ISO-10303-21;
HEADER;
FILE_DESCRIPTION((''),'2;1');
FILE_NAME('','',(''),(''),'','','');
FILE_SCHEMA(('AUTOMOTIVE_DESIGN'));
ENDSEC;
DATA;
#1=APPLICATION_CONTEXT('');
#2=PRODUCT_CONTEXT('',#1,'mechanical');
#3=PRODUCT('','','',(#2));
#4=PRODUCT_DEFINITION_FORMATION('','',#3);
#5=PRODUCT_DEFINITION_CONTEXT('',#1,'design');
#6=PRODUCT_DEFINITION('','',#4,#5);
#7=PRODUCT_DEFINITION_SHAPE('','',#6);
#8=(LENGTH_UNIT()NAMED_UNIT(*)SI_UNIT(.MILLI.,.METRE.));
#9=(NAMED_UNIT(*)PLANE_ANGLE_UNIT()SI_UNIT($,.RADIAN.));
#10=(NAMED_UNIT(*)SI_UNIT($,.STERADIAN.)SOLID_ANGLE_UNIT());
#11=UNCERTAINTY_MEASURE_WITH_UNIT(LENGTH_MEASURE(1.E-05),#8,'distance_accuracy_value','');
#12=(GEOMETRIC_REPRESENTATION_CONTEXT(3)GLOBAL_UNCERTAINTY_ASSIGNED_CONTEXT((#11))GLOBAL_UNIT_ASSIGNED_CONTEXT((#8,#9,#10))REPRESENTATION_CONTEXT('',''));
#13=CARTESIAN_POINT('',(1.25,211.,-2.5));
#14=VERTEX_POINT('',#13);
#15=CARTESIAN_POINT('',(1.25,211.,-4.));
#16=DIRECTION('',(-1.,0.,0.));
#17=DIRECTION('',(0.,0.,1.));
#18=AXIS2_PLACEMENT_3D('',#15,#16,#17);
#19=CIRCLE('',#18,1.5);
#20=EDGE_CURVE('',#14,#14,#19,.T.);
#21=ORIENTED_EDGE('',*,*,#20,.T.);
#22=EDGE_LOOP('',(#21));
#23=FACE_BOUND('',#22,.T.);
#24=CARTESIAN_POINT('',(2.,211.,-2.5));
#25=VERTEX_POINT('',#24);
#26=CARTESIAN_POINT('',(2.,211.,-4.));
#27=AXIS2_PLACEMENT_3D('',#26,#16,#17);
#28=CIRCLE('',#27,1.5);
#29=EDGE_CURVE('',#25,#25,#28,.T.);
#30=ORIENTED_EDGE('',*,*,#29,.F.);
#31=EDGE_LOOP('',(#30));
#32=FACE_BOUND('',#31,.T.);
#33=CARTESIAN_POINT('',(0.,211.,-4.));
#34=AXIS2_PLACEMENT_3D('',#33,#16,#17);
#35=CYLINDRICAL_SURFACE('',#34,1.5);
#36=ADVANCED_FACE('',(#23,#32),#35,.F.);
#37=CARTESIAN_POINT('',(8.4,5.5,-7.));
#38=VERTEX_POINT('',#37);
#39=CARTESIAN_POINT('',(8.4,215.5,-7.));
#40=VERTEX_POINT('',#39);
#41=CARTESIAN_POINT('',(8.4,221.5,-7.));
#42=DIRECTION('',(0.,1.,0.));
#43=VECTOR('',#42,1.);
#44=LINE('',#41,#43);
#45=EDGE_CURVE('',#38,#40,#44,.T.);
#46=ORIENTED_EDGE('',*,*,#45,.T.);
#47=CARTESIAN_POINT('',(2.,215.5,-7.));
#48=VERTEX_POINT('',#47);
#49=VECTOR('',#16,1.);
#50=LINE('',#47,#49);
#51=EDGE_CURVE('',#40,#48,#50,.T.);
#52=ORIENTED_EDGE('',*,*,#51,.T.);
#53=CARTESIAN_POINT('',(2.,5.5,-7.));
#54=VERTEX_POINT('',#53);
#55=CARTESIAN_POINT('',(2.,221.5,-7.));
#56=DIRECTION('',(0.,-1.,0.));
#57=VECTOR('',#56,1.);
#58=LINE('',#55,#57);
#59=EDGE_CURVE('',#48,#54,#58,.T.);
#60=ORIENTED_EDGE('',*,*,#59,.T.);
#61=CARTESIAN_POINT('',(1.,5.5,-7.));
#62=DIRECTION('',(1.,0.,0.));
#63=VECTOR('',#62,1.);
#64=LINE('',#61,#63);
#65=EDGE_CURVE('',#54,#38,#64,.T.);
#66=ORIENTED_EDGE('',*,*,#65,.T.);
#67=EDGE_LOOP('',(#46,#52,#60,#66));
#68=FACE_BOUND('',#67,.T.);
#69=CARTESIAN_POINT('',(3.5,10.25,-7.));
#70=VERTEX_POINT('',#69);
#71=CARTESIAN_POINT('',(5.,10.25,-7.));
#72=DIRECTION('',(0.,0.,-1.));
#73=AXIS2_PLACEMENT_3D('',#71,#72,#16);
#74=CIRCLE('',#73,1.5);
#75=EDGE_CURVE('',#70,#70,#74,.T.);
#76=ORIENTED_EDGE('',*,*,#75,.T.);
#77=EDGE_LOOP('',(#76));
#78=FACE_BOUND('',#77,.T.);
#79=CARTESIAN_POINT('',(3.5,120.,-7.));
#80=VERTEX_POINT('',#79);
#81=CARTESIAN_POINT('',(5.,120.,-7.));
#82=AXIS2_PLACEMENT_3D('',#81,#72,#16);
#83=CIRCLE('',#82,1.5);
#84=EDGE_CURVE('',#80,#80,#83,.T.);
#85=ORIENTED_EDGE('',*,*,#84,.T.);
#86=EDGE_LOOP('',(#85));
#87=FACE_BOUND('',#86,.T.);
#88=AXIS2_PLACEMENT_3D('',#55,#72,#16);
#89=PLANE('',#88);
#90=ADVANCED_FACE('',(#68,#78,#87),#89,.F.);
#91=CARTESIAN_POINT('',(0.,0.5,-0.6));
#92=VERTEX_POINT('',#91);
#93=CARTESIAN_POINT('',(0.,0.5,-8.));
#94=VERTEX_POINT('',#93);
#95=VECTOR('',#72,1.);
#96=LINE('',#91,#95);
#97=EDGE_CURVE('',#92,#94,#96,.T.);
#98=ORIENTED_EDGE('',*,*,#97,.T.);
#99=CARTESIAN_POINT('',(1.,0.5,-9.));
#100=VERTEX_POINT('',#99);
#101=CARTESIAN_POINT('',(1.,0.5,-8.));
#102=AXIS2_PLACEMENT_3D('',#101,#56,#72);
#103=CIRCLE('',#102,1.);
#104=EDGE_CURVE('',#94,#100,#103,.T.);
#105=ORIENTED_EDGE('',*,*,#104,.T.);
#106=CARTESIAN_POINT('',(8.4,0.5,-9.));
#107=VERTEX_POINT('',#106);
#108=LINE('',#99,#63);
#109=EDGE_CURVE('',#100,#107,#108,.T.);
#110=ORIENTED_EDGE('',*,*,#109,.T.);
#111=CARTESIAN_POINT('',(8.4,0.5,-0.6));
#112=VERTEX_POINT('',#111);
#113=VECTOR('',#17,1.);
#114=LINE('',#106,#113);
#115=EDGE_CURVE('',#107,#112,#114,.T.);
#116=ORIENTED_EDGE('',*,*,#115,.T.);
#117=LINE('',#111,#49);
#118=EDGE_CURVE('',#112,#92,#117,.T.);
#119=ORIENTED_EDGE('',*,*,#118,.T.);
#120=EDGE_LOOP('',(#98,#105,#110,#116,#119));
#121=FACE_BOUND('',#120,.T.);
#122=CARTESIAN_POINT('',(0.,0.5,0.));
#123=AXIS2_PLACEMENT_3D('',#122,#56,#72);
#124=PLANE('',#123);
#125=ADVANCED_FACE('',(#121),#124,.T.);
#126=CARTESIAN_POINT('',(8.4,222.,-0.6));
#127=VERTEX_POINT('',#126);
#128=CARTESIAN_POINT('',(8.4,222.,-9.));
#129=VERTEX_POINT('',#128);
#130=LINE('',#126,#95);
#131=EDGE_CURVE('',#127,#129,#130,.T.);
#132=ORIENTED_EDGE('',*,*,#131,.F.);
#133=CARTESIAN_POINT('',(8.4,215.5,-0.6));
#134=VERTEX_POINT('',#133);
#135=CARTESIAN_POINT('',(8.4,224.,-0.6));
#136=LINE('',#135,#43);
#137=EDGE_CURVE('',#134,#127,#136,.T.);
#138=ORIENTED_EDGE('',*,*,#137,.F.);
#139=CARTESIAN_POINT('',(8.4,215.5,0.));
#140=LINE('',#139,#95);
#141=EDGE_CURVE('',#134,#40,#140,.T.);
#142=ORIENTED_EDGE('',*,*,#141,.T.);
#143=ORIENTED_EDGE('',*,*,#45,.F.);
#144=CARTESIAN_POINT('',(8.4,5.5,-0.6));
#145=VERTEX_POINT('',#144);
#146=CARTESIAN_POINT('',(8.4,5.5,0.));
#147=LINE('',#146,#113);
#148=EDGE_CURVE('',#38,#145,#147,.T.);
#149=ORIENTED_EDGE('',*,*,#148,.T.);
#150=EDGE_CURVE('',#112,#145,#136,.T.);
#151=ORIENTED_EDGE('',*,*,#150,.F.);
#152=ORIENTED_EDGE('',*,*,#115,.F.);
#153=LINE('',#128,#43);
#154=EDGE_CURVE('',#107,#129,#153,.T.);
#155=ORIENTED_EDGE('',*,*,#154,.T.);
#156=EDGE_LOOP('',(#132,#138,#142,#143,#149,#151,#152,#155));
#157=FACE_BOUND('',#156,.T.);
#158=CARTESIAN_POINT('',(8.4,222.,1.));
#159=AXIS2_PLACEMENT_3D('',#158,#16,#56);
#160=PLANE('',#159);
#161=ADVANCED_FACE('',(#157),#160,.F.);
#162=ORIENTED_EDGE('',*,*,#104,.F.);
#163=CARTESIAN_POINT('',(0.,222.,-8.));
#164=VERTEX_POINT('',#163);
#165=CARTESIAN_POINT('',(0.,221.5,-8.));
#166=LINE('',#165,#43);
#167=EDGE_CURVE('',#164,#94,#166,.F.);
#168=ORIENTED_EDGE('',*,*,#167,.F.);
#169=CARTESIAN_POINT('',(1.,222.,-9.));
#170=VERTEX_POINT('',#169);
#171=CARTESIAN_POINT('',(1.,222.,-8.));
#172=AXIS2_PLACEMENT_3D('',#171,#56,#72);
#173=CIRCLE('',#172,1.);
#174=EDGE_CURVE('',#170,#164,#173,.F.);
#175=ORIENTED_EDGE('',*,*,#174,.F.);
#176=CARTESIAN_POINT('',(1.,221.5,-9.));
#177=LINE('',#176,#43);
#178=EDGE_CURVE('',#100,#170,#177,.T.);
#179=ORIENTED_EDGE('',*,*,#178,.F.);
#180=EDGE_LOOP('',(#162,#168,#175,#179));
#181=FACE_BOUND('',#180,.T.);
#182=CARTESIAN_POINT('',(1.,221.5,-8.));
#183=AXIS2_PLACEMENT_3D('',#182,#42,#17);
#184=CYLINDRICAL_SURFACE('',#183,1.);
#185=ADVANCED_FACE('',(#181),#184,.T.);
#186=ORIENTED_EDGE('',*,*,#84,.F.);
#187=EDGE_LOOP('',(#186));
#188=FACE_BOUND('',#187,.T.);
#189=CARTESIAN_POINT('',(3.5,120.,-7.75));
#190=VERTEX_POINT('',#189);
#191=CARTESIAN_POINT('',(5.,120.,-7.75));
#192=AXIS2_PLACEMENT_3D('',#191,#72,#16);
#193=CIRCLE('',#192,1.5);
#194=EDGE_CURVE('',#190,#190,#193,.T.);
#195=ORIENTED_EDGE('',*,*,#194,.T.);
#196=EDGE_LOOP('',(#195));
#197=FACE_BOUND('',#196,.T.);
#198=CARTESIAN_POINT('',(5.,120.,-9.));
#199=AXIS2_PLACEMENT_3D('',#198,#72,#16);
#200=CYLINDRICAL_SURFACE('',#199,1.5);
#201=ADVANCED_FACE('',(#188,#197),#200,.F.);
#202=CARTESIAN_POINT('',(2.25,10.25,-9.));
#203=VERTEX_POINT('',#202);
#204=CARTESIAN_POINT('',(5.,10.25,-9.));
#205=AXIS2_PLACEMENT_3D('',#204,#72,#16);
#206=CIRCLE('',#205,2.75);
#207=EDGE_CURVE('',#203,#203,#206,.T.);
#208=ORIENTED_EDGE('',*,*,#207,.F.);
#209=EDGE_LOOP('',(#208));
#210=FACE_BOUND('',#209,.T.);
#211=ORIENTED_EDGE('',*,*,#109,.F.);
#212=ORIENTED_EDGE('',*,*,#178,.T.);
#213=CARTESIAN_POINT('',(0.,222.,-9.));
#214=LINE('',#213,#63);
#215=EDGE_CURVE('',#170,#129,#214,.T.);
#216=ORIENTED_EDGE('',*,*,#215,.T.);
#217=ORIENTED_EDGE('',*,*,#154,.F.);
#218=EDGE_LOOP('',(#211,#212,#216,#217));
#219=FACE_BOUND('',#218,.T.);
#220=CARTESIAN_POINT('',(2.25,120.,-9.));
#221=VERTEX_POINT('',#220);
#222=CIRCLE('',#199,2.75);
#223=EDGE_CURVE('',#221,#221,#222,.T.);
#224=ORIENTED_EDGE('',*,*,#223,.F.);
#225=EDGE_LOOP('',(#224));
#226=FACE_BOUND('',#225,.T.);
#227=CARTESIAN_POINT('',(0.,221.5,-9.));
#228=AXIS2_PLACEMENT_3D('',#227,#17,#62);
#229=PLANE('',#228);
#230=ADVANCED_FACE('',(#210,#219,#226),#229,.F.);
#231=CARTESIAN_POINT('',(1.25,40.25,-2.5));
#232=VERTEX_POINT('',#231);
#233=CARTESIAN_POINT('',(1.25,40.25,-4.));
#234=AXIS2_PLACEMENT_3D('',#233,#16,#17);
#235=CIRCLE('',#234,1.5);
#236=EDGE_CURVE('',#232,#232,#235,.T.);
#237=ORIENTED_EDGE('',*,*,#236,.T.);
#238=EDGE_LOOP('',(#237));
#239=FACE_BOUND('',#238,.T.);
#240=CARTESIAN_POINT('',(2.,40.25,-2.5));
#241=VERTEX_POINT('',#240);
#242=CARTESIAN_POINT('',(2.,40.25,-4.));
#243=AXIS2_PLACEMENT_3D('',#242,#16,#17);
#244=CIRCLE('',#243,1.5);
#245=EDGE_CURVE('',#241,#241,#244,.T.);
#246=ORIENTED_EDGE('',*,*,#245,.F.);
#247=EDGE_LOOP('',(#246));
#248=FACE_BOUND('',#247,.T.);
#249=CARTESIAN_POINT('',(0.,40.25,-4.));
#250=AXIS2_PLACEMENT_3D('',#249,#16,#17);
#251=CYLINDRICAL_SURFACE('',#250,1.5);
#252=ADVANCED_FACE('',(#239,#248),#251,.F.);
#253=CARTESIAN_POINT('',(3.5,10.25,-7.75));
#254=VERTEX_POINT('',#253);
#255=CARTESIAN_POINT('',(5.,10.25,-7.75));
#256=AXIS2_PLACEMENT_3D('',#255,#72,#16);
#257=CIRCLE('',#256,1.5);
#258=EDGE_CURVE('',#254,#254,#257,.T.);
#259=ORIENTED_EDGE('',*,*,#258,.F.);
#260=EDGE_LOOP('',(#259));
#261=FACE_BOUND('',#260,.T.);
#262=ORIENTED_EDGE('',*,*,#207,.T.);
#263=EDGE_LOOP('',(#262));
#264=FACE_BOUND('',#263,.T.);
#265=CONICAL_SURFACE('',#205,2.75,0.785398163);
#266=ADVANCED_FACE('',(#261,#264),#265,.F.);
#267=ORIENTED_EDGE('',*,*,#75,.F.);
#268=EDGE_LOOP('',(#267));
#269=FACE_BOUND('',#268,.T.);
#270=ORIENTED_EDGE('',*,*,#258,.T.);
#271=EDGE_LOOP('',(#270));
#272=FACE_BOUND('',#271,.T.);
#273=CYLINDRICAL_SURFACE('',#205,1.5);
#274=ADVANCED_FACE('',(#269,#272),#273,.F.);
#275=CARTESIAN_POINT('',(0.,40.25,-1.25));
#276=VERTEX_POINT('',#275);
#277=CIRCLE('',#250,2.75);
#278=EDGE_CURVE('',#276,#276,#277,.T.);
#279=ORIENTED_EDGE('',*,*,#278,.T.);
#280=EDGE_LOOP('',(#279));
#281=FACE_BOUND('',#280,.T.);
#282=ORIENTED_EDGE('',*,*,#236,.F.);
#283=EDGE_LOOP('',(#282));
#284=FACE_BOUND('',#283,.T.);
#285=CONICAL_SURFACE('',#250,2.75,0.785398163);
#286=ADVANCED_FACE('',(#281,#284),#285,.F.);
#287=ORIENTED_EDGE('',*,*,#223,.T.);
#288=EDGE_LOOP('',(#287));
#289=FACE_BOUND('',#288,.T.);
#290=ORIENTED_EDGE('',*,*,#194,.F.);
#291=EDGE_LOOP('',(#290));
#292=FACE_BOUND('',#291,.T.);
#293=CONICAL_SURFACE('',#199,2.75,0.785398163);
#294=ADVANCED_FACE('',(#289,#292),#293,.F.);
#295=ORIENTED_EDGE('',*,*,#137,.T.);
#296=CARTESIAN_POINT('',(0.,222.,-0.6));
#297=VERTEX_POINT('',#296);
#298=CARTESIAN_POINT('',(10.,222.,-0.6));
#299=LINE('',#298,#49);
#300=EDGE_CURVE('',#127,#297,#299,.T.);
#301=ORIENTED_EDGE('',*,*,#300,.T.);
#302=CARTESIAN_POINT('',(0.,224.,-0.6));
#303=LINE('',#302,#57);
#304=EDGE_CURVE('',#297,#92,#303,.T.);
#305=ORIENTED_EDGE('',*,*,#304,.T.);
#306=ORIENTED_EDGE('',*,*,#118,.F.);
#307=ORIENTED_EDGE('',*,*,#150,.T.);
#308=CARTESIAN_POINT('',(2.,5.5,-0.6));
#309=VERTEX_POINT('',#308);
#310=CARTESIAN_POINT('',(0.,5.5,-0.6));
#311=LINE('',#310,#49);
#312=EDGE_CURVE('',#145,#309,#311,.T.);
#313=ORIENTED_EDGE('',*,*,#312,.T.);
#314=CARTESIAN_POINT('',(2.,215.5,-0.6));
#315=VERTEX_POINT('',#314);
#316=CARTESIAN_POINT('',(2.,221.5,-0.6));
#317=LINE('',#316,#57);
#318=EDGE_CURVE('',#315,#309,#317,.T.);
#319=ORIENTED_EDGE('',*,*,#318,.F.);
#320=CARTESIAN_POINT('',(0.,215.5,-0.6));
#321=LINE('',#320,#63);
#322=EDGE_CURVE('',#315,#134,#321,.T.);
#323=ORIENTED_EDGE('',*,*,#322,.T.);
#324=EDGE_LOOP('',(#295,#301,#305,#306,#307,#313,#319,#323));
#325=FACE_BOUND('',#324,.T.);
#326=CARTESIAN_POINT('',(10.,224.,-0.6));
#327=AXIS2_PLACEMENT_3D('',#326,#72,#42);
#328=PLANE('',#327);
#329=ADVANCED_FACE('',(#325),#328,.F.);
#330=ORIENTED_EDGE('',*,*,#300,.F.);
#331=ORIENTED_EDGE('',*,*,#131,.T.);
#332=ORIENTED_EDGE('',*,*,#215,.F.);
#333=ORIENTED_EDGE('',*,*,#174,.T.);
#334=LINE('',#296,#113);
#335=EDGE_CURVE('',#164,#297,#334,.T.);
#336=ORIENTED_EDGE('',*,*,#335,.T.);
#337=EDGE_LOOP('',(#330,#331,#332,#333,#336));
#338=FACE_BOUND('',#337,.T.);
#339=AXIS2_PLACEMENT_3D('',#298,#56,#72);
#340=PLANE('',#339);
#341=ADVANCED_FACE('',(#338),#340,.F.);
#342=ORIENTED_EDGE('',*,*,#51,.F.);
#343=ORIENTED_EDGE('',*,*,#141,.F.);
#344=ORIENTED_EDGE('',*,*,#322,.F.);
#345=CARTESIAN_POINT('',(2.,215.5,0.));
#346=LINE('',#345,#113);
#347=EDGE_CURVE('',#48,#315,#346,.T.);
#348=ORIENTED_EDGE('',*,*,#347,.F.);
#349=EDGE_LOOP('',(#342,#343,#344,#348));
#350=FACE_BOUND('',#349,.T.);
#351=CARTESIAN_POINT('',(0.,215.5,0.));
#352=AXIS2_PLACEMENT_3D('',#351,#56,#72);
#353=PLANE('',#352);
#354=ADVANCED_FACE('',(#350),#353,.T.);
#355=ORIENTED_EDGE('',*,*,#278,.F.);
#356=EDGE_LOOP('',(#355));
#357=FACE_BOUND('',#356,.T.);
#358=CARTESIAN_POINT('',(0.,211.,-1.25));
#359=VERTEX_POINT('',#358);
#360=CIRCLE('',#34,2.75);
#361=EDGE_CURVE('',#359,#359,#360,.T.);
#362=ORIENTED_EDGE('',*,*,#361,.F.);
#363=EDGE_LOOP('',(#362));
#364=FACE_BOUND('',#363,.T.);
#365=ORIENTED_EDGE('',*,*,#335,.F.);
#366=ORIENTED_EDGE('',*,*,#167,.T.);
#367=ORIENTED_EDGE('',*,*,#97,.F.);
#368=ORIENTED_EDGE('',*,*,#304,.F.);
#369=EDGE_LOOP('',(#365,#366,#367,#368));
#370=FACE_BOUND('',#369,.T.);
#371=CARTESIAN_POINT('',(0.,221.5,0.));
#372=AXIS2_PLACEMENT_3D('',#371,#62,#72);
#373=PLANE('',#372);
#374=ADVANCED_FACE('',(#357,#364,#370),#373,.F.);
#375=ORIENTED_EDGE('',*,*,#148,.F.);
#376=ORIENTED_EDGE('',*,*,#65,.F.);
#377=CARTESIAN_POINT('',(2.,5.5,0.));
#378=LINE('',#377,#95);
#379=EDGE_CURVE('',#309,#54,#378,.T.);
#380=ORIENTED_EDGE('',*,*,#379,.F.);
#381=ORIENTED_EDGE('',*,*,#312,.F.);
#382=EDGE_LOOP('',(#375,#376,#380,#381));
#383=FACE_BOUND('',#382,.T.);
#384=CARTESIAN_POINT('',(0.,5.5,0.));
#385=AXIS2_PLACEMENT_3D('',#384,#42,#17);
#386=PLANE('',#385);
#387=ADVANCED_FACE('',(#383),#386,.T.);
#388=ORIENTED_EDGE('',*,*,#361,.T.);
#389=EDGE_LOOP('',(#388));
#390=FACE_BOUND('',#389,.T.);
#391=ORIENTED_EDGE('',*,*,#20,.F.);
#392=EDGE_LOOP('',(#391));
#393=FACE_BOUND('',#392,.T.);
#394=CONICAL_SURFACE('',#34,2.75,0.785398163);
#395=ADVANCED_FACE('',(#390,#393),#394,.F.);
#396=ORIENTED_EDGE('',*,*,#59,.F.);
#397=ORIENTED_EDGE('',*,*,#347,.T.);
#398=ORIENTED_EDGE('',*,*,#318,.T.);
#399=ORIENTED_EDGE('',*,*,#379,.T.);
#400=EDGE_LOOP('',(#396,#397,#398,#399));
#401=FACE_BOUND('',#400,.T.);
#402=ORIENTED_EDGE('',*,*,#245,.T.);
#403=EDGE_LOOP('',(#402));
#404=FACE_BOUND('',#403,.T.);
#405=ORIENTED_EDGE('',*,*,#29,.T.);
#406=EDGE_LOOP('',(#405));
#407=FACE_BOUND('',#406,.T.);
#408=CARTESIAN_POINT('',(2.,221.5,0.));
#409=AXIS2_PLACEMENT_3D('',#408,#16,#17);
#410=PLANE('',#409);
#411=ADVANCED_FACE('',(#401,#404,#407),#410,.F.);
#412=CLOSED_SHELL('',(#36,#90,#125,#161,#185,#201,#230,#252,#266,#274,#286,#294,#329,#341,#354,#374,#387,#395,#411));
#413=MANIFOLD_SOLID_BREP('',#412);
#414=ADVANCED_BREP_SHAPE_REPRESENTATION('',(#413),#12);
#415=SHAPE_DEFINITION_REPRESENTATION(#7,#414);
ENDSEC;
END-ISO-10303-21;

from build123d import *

# Parameters (mm, degrees)
BOSS_EXTRUDE1_DEPTH                                 = 221.5
CSK_FOR_M3_COUNTERSUNK_FLAT_HEAD_SCREW1_D           = 3
CSK_FOR_M3_COUNTERSUNK_FLAT_HEAD_SCREW1_CSINK_D     = 5.5
CSK_FOR_M3_COUNTERSUNK_FLAT_HEAD_SCREW1_CSINK_ANGLE = 90
CSK_FOR_M3_COUNTERSUNK_FLAT_HEAD_SCREW4_D           = 3
CSK_FOR_M3_COUNTERSUNK_FLAT_HEAD_SCREW4_CSINK_D     = 5.5
CSK_FOR_M3_COUNTERSUNK_FLAT_HEAD_SCREW4_CSINK_ANGLE = 90
SKETCH12_W                                          = 8
SKETCH12_H                                          = 7
BOSS_EXTRUDE2_DEPTH                                 = 5.5
CUT_EXTRUDE1_DEPTH                                  = 359
BOSS_EXTRUDE3_DEPTH                                 = 3
BOSS_EXTRUDE4_DEPTH                                 = 2.5
BOSS_EXTRUDE4_DEPTH_BACK                            = 6
SKETCH19_W                                          = 0.6
SKETCH19_H                                          = 227
CUT_EXTRUDE2_DEPTH                                  = 10
SKETCH20_W                                          = 15.604741464
SKETCH20_H                                          = 2
CUT_EXTRUDE3_DEPTH                                  = 10
SKETCH21_W                                          = 0.6
SKETCH21_H                                          = 225
CUT_EXTRUDE4_DEPTH                                  = 10
SKETCH22_W                                          = 8.4
SKETCH22_H                                          = 5.5
CUT_EXTRUDE5_DEPTH                                  = 10
BOSS_EXTRUDE5_DEPTH                                 = 2
BOSS_EXTRUDE6_DEPTH                                 = 221.5
FILLET1_R                                           = 1


with BuildPart() as part:
    # Sketch1 → Boss-Extrude1 (new body)
    with BuildSketch(Plane(origin=(0, 0, 0), x_dir=(1, 0, 0), z_dir=(0, 1, 0))):
        Polygon((0, 0), (0, 9), (9, 9), (9, 7), (2, 7), (2, 0), align=None)
    extrude(amount=BOSS_EXTRUDE1_DEPTH)

    # CSK for M3 Countersunk Flat Head Screw1 (through all)
    with Locations(Plane.ZY):
        with Locations((-4, 211), (-4, 40.25)):
            CounterSinkHole(CSK_FOR_M3_COUNTERSUNK_FLAT_HEAD_SCREW1_D / 2, CSK_FOR_M3_COUNTERSUNK_FLAT_HEAD_SCREW1_CSINK_D / 2, counter_sink_angle=CSK_FOR_M3_COUNTERSUNK_FLAT_HEAD_SCREW1_CSINK_ANGLE)

    # CSK for M3 Countersunk Flat Head Screw4 (through all)
    with Locations(Plane(origin=(0, 0, -9), x_dir=(-1, 0, 0), z_dir=(0, 0, -1))):
        with Locations((-5, 10.25), (-5, 120)):
            CounterSinkHole(CSK_FOR_M3_COUNTERSUNK_FLAT_HEAD_SCREW4_D / 2, CSK_FOR_M3_COUNTERSUNK_FLAT_HEAD_SCREW4_CSINK_D / 2, counter_sink_angle=CSK_FOR_M3_COUNTERSUNK_FLAT_HEAD_SCREW4_CSINK_ANGLE)

    # Sketch12 → Boss-Extrude2 (add)
    with BuildSketch(Plane.XZ):
        with Locations((5, -3.5)):
            Rectangle(SKETCH12_W, SKETCH12_H)
    extrude(amount=-BOSS_EXTRUDE2_DEPTH)

    # Sketch13 → Cut-Extrude1 (cut)
    with BuildSketch(Plane(origin=(0, 221.5, 0), x_dir=(1, 0, 0), z_dir=(0, 1, 0))):
        Polygon((0, 8), (1, 9), (0, 9), align=None)
    extrude(amount=-CUT_EXTRUDE1_DEPTH, mode=Mode.SUBTRACT)

    # Sketch14 → Boss-Extrude3 (add)
    with BuildSketch(Plane.XZ):
        Polygon((0, 0), (9, 0), (9, -9), (1, -9), (0, -8), align=None)
    extrude(amount=BOSS_EXTRUDE3_DEPTH)

    # Sketch18 → Boss-Extrude4 (add, two sides: drawn at the far end of the back side and taken through both)
    with BuildSketch(Plane(origin=(0, 221.5, 0), x_dir=(1, 0, 0), z_dir=(0, 1, 0)).offset(-BOSS_EXTRUDE4_DEPTH_BACK)):
        Polygon((0, 0), (9, 0), (9, 9), (1, 9), (0, 8), align=None)
    extrude(amount=BOSS_EXTRUDE4_DEPTH + BOSS_EXTRUDE4_DEPTH_BACK)

    # Sketch19 → Cut-Extrude2 (cut)
    with BuildSketch(Plane.ZY):
        with Locations((-0.3, 110.5)):
            Rectangle(SKETCH19_W, SKETCH19_H)
    extrude(amount=-CUT_EXTRUDE2_DEPTH, mode=Mode.SUBTRACT)

    # Sketch20 → Cut-Extrude3 (cut)
    with BuildSketch(Plane.ZY):
        with Locations((-8.402370732, 223)):
            Rectangle(SKETCH20_W, SKETCH20_H)
    extrude(amount=-CUT_EXTRUDE3_DEPTH, mode=Mode.SUBTRACT)

    # Sketch21 → Cut-Extrude4 (cut)
    with BuildSketch(Plane(origin=(0, 0, -9), x_dir=(-1, 0, 0), z_dir=(0, 0, -1))):
        with Locations((-8.7, 109.5)):
            Rectangle(SKETCH21_W, SKETCH21_H)
    extrude(amount=-CUT_EXTRUDE4_DEPTH, mode=Mode.SUBTRACT)

    # Sketch22 → Cut-Extrude5 (cut)
    with BuildSketch(Plane(origin=(0, 0, -9), x_dir=(-1, 0, 0), z_dir=(0, 0, -1))):
        with Locations((-4.2, -0.25)):
            Rectangle(SKETCH22_W, SKETCH22_H)
    extrude(amount=-CUT_EXTRUDE5_DEPTH, mode=Mode.SUBTRACT)

    # Sketch26 → Boss-Extrude5 (add)
    with BuildSketch(Plane.XZ.offset(-2.5)):
        Polygon((8.4, -9), (8.4, -0.6), (0, -0.6), (0, -8), (1, -9), align=None)
    extrude(amount=BOSS_EXTRUDE5_DEPTH)

    # Sketch29 → Boss-Extrude6 (add)
    with BuildSketch(Plane(origin=(0, 222, 0), x_dir=(1, 0, 0), z_dir=(0, 1, 0))):
        Polygon((0, 8), (1, 9), (0, 9), align=None)
    extrude(amount=-BOSS_EXTRUDE6_DEPTH)

    # Fillet1
    fillet1_edges = [part.edges().sort_by_distance(p)[0] for p in [
        (0, 111.25, -9),
    ]]
    fillet(fillet1_edges, radius=FILLET1_R)


solid = part.part
